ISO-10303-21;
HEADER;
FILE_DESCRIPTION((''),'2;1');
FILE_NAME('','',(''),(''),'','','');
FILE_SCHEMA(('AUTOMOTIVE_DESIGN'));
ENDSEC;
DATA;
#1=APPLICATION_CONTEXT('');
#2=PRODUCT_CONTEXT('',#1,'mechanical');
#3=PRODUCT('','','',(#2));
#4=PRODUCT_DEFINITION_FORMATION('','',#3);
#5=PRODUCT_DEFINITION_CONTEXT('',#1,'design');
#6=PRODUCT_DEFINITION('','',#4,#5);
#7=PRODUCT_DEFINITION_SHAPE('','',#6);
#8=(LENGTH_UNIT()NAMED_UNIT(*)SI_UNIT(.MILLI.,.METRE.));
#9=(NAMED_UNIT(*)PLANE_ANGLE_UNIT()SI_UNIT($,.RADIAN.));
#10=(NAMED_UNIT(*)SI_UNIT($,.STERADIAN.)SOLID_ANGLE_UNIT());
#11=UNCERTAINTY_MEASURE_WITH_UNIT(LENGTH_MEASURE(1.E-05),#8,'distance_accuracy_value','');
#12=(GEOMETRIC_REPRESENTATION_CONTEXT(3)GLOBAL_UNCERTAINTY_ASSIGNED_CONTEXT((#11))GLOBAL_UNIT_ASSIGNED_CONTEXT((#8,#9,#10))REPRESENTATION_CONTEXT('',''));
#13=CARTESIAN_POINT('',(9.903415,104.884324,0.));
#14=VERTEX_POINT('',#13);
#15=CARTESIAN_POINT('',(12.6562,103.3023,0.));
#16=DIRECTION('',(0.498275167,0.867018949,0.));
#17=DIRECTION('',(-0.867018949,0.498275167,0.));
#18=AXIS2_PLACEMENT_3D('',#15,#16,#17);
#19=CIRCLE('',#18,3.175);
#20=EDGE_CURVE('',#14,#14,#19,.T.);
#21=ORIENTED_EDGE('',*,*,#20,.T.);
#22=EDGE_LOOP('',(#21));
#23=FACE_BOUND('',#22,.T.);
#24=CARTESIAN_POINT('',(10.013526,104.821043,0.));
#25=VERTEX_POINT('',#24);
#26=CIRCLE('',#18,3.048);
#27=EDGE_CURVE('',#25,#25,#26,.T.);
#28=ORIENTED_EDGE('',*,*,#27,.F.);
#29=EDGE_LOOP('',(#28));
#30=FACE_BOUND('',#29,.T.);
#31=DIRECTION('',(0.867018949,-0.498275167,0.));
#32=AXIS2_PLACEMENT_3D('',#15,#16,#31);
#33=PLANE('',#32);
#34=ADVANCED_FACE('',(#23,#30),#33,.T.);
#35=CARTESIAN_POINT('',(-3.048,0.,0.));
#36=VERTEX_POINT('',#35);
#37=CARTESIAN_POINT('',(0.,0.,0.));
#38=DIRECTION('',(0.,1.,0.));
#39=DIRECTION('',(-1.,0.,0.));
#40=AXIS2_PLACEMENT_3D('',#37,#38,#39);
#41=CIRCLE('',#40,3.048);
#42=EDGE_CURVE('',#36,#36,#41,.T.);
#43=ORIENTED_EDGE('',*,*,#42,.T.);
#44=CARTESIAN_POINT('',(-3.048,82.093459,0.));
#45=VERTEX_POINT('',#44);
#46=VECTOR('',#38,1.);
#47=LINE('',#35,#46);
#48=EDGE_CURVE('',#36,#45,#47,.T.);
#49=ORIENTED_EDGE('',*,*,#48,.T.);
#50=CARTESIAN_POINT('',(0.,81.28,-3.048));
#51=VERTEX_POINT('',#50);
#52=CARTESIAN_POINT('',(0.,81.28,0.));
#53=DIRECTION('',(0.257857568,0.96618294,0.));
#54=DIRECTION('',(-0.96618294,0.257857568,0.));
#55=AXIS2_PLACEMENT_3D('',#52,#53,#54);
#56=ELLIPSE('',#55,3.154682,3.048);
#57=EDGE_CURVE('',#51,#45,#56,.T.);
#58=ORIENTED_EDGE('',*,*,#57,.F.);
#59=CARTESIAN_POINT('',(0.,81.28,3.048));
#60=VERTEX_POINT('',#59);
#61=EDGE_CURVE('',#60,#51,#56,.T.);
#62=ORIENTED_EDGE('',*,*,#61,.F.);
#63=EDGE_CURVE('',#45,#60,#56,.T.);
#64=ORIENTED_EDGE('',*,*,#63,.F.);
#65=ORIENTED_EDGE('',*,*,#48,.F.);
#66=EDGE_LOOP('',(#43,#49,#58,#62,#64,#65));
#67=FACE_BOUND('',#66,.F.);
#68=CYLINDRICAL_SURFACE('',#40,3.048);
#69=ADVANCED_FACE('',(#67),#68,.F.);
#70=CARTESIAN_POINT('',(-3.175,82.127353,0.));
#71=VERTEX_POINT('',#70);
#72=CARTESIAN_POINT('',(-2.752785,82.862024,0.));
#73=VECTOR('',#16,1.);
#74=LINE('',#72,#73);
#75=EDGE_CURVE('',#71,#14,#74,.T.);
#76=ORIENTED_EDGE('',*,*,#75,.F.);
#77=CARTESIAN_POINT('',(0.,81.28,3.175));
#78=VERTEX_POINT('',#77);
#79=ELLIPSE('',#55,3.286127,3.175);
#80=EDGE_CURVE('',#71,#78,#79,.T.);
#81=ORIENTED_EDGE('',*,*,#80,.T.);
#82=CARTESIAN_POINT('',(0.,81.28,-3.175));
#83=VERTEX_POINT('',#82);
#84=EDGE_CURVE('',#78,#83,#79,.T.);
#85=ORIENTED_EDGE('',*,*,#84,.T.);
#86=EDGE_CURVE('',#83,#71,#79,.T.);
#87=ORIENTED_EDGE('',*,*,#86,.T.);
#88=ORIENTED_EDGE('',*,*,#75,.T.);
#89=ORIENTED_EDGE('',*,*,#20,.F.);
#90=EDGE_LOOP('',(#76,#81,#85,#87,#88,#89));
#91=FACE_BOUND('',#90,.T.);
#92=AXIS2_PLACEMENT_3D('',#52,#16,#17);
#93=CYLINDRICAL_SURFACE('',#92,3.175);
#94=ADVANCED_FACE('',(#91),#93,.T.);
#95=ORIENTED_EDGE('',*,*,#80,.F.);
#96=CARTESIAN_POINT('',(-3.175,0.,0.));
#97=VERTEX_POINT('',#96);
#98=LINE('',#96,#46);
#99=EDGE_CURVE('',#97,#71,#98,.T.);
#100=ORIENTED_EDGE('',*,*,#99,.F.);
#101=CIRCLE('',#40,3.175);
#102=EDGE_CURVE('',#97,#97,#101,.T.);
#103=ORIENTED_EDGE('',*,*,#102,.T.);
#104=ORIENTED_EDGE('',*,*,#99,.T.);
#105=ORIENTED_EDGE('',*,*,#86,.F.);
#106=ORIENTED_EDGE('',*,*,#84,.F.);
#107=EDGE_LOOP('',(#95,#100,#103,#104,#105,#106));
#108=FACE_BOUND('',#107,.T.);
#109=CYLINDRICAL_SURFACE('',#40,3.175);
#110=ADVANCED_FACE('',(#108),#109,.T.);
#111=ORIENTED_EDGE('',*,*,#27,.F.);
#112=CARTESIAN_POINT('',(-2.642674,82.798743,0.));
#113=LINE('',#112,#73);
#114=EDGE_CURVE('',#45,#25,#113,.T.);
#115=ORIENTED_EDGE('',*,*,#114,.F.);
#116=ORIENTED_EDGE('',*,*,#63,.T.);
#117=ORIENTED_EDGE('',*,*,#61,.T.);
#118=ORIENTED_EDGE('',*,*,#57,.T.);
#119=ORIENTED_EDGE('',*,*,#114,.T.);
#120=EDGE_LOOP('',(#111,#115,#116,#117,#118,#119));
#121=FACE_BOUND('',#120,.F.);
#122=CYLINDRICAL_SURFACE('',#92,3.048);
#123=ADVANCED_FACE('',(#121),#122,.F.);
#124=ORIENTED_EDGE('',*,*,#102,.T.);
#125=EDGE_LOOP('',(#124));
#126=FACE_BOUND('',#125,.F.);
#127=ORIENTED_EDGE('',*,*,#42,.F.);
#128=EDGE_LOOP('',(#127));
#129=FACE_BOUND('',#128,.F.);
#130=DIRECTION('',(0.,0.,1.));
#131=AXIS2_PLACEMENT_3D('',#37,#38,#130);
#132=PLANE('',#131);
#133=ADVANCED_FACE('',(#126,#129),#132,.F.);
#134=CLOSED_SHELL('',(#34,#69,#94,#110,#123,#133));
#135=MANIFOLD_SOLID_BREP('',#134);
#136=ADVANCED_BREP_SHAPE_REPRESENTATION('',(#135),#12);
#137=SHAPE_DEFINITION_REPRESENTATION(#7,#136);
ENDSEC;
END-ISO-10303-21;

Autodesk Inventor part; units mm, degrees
ref_plane "YZ Plane" through (0, 0, 0) normal (1, 0, 0) x (0, 1, 0)
ref_plane "XZ Plane" through (0, 0, 0) normal (0, 1, 0) x (-1, 0, 0)
ref_plane "XY Plane" through (0, 0, 0) normal (0, 0, 1) x (1, 0, 0)
sketch "Sketch1" plane through (0, 0, 0) normal (0, 1, 0) x (-1, 0, 0)
  circle A0 centre (0, 0) radius 3.175
  circle A1 centre (0, 0) radius 3.048
  dimension "d0" = 6.35
  dimension "d1" = 6.096
sketch "Sketch2" plane through (0, 0, 0) normal (0, 0, 1) x (1, 0, 0)
  line L0 (0, 0) -> (0, 81.28)
  line L1 (0, 81.28) -> (0, 73.4379)
  line L2 (0, 81.28) -> (12.6562, 103.3023)
  line L3 (0, 81.28) -> (25.4, 81.28) construction
  dimension "d2" = 81.28
  dimension "d3" = 25.4
  dimension "d4" = 60.114
sweep "Sweep1" add profiles "Sketch1" path "Sketch2" path curves L0 L2
properties part number "feedthroughpip2"
